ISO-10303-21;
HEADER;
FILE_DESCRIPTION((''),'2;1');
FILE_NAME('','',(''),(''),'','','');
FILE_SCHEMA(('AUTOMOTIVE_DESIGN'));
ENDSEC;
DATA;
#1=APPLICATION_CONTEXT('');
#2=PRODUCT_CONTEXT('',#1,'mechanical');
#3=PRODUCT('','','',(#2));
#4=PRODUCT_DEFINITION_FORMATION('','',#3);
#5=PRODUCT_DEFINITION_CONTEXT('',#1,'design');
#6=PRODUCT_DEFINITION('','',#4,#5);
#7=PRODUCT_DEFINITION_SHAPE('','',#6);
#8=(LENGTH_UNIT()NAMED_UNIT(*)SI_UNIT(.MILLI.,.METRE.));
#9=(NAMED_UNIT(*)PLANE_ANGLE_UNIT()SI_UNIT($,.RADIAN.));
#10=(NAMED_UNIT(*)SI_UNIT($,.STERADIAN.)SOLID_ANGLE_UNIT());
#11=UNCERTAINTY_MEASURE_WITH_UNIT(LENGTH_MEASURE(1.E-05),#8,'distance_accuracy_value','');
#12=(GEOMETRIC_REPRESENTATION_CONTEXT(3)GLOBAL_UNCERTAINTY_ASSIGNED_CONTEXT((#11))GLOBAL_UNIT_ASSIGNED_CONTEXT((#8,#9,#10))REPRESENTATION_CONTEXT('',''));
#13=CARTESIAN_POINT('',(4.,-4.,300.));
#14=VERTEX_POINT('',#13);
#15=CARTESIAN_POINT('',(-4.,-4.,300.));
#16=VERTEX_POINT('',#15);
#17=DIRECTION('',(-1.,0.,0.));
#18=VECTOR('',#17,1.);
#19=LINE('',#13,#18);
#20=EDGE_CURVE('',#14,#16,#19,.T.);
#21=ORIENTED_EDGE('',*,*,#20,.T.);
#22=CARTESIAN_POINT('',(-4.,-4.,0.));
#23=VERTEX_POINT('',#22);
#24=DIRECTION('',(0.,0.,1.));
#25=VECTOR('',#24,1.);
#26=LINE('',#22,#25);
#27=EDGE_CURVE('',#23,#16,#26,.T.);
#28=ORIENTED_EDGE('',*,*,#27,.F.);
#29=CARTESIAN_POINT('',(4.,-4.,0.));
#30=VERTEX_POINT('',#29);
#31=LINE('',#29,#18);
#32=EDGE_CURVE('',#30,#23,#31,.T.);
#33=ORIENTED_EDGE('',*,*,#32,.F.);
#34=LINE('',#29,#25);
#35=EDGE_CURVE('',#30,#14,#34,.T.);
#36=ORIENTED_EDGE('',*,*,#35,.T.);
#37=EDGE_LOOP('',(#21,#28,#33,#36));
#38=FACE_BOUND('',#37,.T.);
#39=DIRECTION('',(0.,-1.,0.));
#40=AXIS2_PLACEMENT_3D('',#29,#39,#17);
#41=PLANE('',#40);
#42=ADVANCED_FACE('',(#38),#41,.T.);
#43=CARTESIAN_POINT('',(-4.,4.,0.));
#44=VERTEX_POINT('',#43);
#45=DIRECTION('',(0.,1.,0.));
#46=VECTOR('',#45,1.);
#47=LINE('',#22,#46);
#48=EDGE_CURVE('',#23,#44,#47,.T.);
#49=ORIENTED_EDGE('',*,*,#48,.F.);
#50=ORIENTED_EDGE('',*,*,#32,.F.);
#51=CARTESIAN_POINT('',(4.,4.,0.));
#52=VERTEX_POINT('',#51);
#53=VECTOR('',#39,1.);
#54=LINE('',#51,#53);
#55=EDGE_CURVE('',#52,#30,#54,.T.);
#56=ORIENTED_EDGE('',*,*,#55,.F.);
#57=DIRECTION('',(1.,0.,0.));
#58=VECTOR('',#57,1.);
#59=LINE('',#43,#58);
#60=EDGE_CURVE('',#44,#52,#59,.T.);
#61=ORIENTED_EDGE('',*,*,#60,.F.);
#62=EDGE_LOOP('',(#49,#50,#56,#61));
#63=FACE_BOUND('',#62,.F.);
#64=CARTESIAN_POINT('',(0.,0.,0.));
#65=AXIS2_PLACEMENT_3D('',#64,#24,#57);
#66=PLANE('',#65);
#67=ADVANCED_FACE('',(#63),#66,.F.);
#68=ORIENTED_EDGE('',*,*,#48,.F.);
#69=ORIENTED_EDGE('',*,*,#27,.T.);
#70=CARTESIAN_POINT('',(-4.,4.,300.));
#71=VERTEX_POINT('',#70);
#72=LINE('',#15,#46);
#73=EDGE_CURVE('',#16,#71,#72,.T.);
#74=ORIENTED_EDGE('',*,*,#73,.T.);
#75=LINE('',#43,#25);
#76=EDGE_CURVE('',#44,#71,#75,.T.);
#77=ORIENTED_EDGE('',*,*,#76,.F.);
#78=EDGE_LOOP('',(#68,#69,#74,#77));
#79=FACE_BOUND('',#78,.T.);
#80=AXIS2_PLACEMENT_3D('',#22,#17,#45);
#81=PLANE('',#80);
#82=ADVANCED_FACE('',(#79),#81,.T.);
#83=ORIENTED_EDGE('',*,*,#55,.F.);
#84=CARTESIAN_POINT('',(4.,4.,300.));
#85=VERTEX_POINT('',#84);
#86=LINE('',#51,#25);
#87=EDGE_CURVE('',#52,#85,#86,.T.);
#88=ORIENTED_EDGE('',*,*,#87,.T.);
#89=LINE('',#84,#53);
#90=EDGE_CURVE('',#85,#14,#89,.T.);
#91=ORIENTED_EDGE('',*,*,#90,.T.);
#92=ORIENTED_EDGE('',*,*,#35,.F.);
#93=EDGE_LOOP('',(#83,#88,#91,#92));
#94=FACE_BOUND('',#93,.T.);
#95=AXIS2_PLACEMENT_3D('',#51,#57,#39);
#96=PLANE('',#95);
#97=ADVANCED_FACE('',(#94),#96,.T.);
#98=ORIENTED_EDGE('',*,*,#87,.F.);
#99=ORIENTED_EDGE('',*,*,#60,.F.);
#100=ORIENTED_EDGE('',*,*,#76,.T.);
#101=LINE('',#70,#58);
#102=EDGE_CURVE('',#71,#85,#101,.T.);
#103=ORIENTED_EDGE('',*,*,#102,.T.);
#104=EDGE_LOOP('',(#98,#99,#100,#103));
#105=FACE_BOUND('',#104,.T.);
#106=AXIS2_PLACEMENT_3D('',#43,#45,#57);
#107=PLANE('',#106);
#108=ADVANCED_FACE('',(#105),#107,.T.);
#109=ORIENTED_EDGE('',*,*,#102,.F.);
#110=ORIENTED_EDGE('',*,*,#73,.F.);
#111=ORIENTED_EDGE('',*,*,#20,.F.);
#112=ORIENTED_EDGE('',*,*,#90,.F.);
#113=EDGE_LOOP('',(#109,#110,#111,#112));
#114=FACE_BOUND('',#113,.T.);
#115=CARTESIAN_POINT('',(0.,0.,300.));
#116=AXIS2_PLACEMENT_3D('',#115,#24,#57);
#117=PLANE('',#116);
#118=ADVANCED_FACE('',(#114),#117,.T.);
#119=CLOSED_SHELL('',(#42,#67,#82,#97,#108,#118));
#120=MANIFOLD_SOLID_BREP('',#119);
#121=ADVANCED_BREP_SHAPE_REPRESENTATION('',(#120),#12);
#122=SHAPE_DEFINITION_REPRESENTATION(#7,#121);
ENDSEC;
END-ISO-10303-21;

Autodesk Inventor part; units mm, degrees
ref_plane "YZ Plane" through (0, 0, 0) normal (1, 0, 0) x (0, 1, 0)
ref_plane "Start plane" through (0, 0, 0) normal (0, 0, 1) x (1, 0, 0)
ref_plane "End plane" through (0, 0, 300) normal (0, 0, 1) x (1, 0, 0)
sketch "Sketch" plane through (0, 0, 0) normal (0, 0, 1) x (1, 0, 0)
  line L0 (4, -4) -> (-4, -4)
  line L1 (-4, -4) -> (-4, 4)
  line L2 (-4, 4) -> (4, 4)
  line L3 (4, 4) -> (4, -4)
  line L4 (-6, 0) -> (8, 0) construction
  line L5 (0, -30) -> (0, 40) construction
  line L6 (0, 54) -> (0, -44) construction
  line L7 (-9.2, 0) -> (13.2, 0) construction
  dimension "d0" = 8
  dimension "d1" = 8
  dimension "d4" = 4
  dimension "d5" = 4
extrude "Body" add sketch "Sketch" along normal up to surface (300 mm away) from surface at 0
sketch "Sketch3" plane through (0, 0, 0) normal (0, 0, 1) x (1, 0, 0)
  line L0 (0, 0) -> (10, 0)
ref_plane "Work Plane3" through (0, 0, 0) normal (0, -1, 0) x (1, 0, 0)
sketch "Sketch4" plane through (0, 0, 0) normal (0, -1, 0) x (1, 0, 0)
  line L0 (-2, 0) -> (12, 0) projected
  line L1 (-2, 300) -> (12, 300) projected
  dimension "d9" = 300
equation "\"d0\" = G_W"
equation "\"d1\" = G_H"
equation "\"d4\" = 0.5 * d1"
equation "\"d5\" = 0.5 * d0"
equation "\"d2\" = G_L"
equation "\"G_W\" = 8"
equation "\"G_H\" = 8"
equation "\"G_L\" = d9"
equation "\"G_OFFSET_START\" = 0"
equation "\"G_OFFSET_END\" = 0"
properties part number "ISO 1035/2 - 8 x 8 - 300" material "Steel, Mild"
